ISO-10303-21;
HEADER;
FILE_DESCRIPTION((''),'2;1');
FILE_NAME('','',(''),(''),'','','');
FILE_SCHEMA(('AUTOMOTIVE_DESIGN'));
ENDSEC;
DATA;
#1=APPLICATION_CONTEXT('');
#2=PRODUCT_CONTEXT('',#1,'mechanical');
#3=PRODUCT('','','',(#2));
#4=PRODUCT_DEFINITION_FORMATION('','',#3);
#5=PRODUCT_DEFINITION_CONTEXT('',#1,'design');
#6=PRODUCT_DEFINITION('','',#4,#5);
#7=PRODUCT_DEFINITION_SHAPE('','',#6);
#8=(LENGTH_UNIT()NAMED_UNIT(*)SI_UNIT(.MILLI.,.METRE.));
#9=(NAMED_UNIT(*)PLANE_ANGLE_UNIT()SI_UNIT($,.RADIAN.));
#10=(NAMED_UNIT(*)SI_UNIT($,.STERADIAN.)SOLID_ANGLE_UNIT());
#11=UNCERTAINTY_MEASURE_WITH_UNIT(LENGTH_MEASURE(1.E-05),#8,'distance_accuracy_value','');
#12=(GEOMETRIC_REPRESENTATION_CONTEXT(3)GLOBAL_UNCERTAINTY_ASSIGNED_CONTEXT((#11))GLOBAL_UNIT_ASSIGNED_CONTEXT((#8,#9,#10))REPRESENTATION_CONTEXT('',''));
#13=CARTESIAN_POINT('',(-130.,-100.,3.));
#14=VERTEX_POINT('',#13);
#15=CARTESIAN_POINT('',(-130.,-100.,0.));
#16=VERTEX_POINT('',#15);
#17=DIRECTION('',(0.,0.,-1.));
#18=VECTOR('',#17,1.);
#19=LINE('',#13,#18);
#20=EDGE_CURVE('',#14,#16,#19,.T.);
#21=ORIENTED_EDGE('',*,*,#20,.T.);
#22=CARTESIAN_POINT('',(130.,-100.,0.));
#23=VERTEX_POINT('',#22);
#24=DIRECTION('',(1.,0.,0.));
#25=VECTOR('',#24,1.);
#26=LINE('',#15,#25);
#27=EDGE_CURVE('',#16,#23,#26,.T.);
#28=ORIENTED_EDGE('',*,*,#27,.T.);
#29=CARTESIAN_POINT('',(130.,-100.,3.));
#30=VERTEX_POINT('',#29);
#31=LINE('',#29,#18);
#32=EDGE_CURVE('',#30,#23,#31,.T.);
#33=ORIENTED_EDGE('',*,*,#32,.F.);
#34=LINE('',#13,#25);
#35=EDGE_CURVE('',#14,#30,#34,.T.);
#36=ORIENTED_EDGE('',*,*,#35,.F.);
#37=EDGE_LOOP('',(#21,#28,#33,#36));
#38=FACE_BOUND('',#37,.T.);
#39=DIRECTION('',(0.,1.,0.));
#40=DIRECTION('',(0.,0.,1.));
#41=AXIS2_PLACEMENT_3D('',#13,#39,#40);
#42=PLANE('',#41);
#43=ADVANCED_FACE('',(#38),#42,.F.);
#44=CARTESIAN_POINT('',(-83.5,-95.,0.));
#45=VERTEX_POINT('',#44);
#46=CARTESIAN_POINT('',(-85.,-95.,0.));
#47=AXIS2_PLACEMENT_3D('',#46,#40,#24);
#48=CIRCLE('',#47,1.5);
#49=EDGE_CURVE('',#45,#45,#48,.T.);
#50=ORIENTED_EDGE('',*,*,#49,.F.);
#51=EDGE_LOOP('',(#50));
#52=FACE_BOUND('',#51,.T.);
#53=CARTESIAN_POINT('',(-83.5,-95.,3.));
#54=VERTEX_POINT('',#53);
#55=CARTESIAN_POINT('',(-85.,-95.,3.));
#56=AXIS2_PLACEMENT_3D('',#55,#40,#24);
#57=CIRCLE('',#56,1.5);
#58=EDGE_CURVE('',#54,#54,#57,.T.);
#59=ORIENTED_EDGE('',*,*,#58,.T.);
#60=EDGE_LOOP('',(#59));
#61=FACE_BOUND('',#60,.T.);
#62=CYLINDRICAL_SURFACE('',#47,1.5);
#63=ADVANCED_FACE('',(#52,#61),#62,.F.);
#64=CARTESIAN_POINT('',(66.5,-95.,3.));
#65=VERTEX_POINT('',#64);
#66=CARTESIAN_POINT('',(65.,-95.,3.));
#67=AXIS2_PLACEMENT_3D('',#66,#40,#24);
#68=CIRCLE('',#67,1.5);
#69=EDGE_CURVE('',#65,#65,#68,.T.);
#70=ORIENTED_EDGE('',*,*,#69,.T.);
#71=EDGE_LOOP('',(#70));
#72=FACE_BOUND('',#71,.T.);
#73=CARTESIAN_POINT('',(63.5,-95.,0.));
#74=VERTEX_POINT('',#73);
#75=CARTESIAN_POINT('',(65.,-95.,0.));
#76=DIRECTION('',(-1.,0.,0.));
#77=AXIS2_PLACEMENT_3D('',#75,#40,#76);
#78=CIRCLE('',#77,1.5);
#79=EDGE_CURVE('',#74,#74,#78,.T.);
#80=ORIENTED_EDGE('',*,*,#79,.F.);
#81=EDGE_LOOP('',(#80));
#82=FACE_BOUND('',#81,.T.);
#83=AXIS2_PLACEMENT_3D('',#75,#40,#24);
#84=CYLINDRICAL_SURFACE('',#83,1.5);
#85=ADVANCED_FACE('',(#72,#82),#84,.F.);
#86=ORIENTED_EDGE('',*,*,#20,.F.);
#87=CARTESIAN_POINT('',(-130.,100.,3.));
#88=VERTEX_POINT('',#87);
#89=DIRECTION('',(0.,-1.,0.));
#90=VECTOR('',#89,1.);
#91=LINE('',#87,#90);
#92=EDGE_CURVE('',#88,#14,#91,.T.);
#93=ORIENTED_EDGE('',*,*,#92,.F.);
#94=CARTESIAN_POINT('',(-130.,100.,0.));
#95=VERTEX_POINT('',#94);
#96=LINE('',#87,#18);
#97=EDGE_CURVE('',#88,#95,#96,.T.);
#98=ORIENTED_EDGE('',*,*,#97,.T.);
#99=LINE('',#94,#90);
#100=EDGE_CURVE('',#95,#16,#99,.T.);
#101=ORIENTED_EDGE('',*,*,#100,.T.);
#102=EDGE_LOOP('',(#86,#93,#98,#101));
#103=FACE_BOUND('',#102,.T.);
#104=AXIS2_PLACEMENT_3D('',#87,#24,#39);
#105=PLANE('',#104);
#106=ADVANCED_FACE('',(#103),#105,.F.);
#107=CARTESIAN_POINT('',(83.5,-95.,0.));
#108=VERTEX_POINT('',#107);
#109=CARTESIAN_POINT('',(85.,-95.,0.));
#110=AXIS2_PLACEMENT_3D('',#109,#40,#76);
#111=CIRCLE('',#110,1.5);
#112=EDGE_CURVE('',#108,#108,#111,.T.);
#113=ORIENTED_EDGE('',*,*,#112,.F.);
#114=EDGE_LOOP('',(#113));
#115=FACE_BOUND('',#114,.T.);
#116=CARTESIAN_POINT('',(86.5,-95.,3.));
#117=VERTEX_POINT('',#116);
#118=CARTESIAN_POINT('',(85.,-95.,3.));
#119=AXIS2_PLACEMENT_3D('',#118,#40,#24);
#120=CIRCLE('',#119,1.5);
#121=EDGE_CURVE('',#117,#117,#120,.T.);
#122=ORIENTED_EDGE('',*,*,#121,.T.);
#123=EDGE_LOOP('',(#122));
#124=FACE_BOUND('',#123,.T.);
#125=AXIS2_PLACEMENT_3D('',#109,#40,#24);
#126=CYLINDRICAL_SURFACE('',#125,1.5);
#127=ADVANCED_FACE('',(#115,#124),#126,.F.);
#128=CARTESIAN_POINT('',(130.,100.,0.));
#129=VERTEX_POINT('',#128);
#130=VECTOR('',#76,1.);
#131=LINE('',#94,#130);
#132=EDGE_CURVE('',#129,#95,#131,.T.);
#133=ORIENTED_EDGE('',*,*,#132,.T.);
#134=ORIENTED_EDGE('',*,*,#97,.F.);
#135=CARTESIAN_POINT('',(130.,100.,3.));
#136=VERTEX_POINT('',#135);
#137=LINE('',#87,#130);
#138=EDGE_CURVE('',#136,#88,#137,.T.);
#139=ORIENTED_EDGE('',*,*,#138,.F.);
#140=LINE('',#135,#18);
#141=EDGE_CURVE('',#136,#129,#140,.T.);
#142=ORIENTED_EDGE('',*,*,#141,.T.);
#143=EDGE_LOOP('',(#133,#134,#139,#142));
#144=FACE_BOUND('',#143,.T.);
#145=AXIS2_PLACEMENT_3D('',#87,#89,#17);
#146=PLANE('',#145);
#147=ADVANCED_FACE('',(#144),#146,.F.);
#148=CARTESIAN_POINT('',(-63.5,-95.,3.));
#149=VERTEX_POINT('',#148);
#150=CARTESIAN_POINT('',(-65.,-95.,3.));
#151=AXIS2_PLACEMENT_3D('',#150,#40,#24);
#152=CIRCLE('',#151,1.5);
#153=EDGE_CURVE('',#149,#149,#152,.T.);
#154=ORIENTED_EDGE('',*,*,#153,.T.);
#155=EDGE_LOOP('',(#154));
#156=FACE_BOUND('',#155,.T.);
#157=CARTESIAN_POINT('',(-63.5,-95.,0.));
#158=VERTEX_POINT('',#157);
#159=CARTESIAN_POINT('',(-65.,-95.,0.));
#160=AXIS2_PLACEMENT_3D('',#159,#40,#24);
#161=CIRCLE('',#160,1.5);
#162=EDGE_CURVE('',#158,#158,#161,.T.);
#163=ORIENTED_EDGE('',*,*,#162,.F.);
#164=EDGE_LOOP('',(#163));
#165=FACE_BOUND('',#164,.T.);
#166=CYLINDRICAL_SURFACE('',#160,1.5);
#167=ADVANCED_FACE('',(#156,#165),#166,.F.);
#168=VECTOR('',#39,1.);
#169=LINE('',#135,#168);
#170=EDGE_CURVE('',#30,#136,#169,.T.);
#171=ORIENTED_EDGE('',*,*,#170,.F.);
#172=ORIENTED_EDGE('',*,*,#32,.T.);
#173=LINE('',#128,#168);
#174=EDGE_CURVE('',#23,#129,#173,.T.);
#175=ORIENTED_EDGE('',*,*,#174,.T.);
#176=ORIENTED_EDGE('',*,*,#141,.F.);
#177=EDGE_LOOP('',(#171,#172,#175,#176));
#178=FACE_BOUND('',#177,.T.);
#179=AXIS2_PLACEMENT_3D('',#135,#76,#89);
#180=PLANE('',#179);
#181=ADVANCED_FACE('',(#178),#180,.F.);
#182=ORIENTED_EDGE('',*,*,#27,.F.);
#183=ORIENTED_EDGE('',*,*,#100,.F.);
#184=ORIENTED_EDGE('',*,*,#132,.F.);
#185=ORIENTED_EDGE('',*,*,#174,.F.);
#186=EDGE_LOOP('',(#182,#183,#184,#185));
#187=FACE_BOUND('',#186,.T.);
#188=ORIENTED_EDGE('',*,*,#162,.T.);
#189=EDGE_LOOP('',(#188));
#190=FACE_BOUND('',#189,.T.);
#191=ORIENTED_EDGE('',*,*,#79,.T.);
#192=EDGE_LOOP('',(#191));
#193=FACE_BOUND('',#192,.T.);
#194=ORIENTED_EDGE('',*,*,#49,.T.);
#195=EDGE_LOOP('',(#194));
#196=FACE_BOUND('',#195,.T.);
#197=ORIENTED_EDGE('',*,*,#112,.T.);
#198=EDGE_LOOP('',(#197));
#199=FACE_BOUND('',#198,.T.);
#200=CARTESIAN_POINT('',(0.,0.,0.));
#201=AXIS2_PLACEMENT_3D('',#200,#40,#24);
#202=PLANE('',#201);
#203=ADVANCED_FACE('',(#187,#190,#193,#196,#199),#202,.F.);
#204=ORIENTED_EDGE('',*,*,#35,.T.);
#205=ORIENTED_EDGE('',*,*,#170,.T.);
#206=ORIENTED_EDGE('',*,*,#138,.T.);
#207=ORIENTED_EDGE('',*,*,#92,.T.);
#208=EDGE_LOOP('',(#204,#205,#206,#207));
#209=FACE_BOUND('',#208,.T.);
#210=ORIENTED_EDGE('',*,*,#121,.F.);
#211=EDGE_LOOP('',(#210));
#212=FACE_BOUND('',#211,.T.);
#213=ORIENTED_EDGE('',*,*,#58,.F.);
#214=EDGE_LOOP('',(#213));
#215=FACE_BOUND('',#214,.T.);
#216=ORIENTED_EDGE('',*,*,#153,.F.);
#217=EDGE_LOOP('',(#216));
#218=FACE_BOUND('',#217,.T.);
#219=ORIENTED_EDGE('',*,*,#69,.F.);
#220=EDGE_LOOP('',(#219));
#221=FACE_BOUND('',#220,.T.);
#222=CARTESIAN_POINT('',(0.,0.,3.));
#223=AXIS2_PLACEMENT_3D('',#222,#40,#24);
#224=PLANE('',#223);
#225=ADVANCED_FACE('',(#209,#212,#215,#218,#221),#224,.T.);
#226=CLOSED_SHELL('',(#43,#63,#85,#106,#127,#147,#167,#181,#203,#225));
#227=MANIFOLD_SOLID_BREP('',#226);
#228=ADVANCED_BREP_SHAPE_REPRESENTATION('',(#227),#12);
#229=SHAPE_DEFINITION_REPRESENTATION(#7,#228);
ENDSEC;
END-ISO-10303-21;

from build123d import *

# Parameters (mm, degrees)
SKETCH1_W               = 260
SKETCH1_H               = 200
BOSS_EXTRUDE1_DEPTH     = 3
CUT_EXTRUDE1_DEPTH      = 165.039629358
CUT_EXTRUDE1_DEPTH_BACK = 165.039629358
SKETCH2_R               = 1.5


with BuildPart() as part:
    # Sketch1 → Boss-Extrude1 (new body)
    with BuildSketch(Plane.XY):
        Rectangle(SKETCH1_W, SKETCH1_H)
    extrude(amount=BOSS_EXTRUDE1_DEPTH)

    # Sketch2 → Cut-Extrude1 (cut, two sides: drawn at the far end of the back side and taken through both)
    with BuildSketch(Plane.XY.offset(3).offset(-CUT_EXTRUDE1_DEPTH_BACK)):
        with Locations((-65, -95)):
            Circle(SKETCH2_R)
        with Locations((-85, -95)):
            Circle(SKETCH2_R)
        with Locations((85, -95)):
            Circle(SKETCH2_R)
        with Locations((65, -95)):
            Circle(SKETCH2_R)
    extrude(amount=CUT_EXTRUDE1_DEPTH + CUT_EXTRUDE1_DEPTH_BACK, mode=Mode.SUBTRACT)


solid = part.part
